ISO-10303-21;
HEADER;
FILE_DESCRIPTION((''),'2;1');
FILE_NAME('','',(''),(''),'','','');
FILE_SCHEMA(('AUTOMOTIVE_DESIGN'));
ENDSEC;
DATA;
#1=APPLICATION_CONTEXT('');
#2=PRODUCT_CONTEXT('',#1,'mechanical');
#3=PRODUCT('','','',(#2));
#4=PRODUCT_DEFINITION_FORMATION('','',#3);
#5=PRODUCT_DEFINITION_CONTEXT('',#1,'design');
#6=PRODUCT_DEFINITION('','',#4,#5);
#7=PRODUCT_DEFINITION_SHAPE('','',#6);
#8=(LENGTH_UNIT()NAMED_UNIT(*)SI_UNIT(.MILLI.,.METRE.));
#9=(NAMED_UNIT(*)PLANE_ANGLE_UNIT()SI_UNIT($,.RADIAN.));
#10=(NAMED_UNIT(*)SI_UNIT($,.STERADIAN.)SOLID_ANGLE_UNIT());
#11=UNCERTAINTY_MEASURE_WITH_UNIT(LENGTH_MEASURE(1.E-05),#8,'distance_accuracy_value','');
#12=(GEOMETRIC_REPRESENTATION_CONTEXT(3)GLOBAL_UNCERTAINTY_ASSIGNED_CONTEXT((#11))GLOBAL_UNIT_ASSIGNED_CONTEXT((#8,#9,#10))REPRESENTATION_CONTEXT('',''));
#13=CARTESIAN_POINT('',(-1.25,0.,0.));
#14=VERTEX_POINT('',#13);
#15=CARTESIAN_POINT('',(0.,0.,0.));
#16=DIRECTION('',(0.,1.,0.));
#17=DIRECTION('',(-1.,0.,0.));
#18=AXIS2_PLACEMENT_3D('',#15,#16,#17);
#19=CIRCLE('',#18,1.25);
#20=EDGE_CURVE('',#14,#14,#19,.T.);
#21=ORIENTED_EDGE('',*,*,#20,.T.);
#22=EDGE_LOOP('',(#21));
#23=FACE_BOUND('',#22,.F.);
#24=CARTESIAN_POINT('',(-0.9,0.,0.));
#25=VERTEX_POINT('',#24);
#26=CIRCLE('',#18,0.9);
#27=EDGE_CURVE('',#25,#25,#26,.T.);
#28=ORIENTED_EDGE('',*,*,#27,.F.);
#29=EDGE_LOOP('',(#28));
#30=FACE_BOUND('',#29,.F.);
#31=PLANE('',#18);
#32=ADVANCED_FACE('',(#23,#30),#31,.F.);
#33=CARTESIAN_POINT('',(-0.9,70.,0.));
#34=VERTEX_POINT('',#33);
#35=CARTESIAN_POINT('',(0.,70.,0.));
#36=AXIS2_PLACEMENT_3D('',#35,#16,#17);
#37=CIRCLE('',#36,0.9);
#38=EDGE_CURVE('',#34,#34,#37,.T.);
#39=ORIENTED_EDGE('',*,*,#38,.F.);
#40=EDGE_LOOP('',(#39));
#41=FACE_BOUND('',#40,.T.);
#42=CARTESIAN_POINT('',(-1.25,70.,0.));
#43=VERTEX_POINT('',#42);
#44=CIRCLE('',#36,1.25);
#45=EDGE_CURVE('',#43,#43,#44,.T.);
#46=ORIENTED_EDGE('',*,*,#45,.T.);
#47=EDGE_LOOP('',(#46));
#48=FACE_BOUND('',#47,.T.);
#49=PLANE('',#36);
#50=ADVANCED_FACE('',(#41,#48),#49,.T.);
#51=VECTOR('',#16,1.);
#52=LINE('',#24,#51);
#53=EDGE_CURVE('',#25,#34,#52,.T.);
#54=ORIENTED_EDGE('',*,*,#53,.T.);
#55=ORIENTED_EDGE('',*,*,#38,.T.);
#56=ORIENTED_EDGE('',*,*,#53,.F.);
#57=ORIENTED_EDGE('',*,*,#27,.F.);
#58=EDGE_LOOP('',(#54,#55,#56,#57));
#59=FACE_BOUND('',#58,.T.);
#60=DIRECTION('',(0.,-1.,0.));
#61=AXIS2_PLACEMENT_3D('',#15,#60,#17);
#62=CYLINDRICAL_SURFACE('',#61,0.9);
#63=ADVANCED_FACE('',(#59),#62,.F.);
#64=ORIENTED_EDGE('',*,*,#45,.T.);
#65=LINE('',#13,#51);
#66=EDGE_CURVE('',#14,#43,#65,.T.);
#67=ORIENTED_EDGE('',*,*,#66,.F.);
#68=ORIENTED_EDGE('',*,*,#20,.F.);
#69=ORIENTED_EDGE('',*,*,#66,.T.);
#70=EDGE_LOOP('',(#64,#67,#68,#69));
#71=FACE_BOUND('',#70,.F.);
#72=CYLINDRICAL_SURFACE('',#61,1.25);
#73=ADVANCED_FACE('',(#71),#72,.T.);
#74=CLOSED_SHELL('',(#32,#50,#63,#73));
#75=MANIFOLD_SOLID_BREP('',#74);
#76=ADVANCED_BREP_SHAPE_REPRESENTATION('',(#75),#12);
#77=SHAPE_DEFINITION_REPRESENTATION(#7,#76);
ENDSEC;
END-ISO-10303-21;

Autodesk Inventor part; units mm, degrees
ref_plane "YZ Plane" through (0, 0, 0) normal (1, 0, 0) x (0, 1, 0)
ref_plane "XZ Plane" through (0, 0, 0) normal (0, 1, 0) x (-1, 0, 0)
ref_plane "XY Plane" through (0, 0, 0) normal (0, 0, 1) x (1, 0, 0)
sketch "Sketch1" plane through (0, 0, 0) normal (0, 1, 0) x (-1, 0, 0)
  circle A0 centre (0, 0) radius 1.25
  circle A1 centre (0, 0) radius 0.9
  dimension "d0" = 2.5
  dimension "d1" = 1.8
extrude "Extrusion1" add sketch "Sketch1" along normal blind 70
properties part number "bw_tube_1"
